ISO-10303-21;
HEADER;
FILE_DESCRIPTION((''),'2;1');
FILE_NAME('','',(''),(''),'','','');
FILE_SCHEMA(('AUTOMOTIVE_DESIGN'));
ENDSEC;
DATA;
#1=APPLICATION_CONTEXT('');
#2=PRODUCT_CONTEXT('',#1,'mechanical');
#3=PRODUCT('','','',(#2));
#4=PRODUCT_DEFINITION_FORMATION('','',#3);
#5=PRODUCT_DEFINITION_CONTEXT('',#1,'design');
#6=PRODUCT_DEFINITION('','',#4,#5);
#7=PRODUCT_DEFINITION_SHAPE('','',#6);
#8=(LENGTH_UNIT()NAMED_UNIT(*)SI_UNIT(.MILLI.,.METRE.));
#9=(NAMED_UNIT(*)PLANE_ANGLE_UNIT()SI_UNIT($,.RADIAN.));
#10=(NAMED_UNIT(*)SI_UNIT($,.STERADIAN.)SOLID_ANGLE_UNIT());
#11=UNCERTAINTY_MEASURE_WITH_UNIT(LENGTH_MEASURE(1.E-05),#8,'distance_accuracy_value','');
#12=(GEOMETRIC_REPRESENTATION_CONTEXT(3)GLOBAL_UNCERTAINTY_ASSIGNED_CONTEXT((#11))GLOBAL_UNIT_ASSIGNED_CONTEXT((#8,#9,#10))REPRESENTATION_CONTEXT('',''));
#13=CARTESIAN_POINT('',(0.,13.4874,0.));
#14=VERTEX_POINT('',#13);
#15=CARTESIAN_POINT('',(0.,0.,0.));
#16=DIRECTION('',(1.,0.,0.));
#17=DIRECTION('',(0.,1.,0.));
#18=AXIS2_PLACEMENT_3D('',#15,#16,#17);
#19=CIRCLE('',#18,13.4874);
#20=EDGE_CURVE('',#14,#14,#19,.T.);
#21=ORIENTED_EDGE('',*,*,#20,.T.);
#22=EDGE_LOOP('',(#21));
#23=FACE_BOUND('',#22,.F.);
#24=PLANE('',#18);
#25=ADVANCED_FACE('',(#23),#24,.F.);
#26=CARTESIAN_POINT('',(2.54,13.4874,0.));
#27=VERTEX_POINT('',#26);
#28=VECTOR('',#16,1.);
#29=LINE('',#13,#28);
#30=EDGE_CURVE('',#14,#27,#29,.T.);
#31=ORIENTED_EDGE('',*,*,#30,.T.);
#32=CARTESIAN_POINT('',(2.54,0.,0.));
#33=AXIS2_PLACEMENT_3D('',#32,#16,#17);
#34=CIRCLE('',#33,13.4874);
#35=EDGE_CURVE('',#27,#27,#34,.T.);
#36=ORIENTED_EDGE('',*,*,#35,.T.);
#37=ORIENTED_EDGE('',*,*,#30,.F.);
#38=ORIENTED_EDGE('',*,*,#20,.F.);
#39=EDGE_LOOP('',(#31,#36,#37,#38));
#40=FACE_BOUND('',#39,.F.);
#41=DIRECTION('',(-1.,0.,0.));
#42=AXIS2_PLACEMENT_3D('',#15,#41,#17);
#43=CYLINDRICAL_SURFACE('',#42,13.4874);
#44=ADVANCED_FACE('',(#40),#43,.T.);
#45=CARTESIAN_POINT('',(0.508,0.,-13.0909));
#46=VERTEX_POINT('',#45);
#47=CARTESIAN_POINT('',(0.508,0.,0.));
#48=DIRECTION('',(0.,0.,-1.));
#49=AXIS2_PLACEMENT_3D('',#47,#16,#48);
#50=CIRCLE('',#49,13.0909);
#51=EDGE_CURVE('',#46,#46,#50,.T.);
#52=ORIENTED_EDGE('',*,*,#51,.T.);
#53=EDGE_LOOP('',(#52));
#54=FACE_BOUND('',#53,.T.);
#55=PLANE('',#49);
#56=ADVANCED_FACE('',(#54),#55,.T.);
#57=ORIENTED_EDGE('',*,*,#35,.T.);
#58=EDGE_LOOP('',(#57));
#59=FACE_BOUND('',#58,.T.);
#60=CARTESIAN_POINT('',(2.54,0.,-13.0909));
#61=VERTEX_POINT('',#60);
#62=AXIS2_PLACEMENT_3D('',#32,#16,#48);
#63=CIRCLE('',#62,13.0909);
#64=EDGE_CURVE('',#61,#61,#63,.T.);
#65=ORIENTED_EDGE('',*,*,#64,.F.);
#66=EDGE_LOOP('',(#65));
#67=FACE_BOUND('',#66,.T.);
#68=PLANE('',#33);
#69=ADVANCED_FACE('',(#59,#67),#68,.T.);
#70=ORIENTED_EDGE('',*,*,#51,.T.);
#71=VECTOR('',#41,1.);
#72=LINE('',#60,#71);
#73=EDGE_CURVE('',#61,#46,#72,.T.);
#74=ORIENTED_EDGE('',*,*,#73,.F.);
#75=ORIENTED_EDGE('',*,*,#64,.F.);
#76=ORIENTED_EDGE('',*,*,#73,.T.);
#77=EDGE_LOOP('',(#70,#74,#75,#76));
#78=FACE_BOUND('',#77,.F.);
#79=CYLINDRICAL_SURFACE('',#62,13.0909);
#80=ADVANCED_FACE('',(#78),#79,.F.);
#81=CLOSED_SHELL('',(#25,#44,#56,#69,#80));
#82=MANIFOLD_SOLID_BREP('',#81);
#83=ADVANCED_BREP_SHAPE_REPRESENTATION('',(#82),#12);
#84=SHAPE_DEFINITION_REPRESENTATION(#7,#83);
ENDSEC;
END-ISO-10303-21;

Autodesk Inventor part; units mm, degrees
ref_plane "YZ Plane" through (0, 0, 0) normal (1, 0, 0) x (0, 1, 0)
ref_plane "XZ Plane" through (0, 0, 0) normal (0, 1, 0) x (-1, 0, 0)
ref_plane "XY Plane" through (0, 0, 0) normal (0, 0, 1) x (1, 0, 0)
sketch "Sketch1" plane through (0, 0, 0) normal (1, 0, 0) x (0, 1, 0)
  circle A0 centre (0, 0) radius 13.4874
  dimension "d0" = 26.9748
extrude "Extrusion1" add sketch "Sketch1" along normal blind 2.54
sketch "Sketch2" plane through (2.54, 0, 0) normal (1, 0, 0) x (0, 0, -1)
  circle A0 centre (0, 0) radius 13.0909
extrude "Extrusion2" cut sketch "Sketch2" against normal blind 2.032
properties part number "CAP"
